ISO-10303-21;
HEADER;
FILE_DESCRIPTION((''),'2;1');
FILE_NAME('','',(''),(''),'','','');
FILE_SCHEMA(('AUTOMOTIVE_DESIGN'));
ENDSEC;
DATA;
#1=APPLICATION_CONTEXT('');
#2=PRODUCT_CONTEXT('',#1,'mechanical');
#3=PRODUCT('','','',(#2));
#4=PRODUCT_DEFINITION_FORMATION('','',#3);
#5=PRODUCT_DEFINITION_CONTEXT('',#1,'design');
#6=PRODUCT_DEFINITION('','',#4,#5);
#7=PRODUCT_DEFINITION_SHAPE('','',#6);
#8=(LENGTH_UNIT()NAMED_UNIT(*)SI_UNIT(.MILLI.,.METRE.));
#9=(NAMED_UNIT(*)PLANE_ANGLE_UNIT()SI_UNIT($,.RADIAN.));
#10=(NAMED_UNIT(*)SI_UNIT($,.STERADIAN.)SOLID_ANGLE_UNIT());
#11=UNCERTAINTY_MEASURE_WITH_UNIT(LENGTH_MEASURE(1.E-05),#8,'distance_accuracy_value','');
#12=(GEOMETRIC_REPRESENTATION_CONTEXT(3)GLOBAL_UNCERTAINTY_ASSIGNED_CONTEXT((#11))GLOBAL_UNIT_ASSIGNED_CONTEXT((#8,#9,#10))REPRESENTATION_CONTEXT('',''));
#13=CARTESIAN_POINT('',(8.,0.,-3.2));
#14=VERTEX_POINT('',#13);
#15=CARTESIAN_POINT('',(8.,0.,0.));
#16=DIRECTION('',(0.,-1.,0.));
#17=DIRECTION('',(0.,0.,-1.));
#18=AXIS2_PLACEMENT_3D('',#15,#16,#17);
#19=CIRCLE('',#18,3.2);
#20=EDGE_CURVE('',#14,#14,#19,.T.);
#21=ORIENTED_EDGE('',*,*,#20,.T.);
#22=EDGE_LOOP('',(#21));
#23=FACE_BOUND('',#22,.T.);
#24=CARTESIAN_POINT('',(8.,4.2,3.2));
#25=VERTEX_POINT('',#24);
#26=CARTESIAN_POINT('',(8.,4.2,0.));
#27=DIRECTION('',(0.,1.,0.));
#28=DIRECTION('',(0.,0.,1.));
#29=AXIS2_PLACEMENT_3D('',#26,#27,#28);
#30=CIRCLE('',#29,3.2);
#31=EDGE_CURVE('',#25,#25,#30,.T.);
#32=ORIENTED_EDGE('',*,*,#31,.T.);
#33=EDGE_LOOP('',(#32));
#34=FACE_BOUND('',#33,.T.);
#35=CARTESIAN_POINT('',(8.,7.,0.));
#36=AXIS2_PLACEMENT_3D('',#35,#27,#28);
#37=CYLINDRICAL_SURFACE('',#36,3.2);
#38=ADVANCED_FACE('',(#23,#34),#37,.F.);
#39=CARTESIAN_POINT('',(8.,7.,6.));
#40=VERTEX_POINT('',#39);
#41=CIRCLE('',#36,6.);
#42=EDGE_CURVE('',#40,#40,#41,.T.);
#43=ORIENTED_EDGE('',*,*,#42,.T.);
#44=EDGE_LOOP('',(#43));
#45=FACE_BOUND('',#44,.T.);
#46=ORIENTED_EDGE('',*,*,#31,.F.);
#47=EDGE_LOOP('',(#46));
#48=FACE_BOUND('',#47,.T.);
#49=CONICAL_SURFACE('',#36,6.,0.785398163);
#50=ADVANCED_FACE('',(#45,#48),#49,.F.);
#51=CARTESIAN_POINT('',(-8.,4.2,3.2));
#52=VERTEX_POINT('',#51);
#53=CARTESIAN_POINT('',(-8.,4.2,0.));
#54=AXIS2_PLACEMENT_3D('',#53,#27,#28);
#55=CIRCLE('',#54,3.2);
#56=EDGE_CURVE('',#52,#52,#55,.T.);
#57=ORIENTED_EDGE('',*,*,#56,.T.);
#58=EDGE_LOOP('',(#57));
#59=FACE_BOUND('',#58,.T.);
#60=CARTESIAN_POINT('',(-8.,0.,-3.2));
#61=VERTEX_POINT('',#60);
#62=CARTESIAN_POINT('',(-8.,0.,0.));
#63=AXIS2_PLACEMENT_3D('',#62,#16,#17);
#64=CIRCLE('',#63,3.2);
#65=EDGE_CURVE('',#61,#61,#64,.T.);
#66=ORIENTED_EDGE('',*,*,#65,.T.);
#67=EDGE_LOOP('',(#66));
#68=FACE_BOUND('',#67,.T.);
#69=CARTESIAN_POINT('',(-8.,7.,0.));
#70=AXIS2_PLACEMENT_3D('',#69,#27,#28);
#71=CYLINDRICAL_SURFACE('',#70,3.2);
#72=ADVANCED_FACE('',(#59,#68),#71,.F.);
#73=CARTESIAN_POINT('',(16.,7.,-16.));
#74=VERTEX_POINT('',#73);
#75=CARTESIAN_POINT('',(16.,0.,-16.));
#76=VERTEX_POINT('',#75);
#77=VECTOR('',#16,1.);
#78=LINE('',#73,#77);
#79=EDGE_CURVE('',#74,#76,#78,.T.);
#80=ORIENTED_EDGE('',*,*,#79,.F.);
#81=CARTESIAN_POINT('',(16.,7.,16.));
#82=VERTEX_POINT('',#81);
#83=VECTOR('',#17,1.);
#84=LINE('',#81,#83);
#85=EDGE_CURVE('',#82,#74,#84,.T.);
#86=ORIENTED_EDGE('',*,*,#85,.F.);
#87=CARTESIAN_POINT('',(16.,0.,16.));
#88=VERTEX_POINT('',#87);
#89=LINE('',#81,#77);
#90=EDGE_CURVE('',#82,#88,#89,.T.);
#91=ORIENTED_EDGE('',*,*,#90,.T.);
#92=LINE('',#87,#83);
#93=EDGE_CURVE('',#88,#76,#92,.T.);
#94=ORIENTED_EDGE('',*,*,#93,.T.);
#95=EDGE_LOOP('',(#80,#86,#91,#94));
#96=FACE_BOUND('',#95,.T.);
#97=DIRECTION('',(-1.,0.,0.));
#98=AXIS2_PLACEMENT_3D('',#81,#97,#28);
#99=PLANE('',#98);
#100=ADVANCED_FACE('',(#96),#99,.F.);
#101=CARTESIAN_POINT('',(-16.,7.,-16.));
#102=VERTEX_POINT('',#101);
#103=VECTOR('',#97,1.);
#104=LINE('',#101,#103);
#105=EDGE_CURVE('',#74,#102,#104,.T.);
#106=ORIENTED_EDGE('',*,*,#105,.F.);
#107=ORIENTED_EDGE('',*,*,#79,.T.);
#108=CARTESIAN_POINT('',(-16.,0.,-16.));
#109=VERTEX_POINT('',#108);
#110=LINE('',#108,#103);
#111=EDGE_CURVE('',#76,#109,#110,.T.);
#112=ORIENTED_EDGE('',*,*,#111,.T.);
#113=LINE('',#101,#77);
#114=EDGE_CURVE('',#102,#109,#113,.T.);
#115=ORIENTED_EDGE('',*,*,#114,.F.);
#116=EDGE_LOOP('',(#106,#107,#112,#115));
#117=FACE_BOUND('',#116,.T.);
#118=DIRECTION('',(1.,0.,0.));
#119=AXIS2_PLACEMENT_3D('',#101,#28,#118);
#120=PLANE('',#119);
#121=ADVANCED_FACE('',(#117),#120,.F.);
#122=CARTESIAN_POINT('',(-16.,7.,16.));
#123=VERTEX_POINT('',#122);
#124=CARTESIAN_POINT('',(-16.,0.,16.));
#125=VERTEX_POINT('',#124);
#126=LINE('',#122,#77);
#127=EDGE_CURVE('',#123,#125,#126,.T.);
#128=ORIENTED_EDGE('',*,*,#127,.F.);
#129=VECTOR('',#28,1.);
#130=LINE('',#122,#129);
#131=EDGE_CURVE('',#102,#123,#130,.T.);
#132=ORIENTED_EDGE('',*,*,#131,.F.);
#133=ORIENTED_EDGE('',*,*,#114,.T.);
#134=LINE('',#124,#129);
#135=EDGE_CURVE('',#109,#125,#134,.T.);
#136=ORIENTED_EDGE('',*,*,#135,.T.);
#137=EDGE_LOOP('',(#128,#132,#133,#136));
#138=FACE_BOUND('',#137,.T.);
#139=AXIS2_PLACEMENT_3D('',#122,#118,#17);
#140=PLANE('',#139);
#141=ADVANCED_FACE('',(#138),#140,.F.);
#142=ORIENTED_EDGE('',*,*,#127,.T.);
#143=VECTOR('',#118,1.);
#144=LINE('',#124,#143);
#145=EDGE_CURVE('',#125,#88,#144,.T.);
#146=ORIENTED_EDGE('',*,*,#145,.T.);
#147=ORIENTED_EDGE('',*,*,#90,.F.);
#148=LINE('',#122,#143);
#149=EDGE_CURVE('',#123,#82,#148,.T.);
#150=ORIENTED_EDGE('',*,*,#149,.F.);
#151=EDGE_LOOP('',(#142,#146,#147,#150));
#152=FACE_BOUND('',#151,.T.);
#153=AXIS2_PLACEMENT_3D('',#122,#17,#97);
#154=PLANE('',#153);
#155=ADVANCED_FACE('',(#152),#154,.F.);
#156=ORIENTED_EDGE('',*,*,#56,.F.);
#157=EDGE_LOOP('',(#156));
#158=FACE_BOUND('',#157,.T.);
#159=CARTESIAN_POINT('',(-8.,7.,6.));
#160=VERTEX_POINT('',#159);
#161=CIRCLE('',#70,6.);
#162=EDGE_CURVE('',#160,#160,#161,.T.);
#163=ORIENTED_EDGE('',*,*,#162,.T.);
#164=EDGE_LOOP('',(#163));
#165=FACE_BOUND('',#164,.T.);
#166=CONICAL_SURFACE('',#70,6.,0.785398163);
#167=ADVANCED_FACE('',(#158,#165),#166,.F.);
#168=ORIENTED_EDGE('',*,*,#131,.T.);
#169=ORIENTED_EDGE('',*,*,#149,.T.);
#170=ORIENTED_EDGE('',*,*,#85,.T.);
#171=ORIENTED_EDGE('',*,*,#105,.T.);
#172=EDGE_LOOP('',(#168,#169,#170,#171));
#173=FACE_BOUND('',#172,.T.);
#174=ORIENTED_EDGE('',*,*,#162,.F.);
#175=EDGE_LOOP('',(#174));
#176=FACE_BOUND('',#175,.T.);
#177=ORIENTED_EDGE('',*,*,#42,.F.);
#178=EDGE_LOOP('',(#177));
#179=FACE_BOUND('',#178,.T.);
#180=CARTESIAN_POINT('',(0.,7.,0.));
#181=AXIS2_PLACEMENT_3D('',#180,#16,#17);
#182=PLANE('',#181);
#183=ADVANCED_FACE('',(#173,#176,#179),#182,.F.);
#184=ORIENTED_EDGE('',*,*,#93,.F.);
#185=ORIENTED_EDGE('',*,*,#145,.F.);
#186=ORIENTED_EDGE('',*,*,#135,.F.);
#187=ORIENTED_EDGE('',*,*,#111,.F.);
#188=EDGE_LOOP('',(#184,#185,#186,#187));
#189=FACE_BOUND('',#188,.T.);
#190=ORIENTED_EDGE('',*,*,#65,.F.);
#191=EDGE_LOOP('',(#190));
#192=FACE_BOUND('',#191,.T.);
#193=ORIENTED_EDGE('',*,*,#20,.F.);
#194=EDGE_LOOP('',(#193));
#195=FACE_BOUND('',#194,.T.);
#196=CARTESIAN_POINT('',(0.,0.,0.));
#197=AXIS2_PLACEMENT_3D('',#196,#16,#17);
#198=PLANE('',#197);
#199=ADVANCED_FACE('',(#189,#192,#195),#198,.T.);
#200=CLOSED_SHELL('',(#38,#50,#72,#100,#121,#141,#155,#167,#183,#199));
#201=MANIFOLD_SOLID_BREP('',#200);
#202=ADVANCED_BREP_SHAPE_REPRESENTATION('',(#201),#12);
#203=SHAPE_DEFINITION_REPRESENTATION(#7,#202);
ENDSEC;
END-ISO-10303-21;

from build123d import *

# Parameters (mm, degrees)
SKETCH1_W                                       = 32
SKETCH1_H                                       = 32
BOSS_EXTRUDE1_DEPTH                             = 7
CSK_FOR_M6_FLAT_HEAD_MACHINE_SCREW1_D           = 6.4
CSK_FOR_M6_FLAT_HEAD_MACHINE_SCREW1_CSINK_D     = 12
CSK_FOR_M6_FLAT_HEAD_MACHINE_SCREW1_CSINK_ANGLE = 90


with BuildPart() as part:
    # Sketch1 → Boss-Extrude1 (new body)
    with BuildSketch(Plane(origin=(0, 0, 0), x_dir=(1, 0, 0), z_dir=(0, 1, 0))):
        Rectangle(SKETCH1_W, SKETCH1_H)
    extrude(amount=BOSS_EXTRUDE1_DEPTH)

    # CSK for M6 Flat Head Machine Screw1 (through all)
    with Locations(Plane(origin=(0, 7, 0), x_dir=(1, 0, 0), z_dir=(0, 1, 0))):
        with Locations((8, 0), (-8, 0)):
            CounterSinkHole(CSK_FOR_M6_FLAT_HEAD_MACHINE_SCREW1_D / 2, CSK_FOR_M6_FLAT_HEAD_MACHINE_SCREW1_CSINK_D / 2, counter_sink_angle=CSK_FOR_M6_FLAT_HEAD_MACHINE_SCREW1_CSINK_ANGLE)


solid = part.part
